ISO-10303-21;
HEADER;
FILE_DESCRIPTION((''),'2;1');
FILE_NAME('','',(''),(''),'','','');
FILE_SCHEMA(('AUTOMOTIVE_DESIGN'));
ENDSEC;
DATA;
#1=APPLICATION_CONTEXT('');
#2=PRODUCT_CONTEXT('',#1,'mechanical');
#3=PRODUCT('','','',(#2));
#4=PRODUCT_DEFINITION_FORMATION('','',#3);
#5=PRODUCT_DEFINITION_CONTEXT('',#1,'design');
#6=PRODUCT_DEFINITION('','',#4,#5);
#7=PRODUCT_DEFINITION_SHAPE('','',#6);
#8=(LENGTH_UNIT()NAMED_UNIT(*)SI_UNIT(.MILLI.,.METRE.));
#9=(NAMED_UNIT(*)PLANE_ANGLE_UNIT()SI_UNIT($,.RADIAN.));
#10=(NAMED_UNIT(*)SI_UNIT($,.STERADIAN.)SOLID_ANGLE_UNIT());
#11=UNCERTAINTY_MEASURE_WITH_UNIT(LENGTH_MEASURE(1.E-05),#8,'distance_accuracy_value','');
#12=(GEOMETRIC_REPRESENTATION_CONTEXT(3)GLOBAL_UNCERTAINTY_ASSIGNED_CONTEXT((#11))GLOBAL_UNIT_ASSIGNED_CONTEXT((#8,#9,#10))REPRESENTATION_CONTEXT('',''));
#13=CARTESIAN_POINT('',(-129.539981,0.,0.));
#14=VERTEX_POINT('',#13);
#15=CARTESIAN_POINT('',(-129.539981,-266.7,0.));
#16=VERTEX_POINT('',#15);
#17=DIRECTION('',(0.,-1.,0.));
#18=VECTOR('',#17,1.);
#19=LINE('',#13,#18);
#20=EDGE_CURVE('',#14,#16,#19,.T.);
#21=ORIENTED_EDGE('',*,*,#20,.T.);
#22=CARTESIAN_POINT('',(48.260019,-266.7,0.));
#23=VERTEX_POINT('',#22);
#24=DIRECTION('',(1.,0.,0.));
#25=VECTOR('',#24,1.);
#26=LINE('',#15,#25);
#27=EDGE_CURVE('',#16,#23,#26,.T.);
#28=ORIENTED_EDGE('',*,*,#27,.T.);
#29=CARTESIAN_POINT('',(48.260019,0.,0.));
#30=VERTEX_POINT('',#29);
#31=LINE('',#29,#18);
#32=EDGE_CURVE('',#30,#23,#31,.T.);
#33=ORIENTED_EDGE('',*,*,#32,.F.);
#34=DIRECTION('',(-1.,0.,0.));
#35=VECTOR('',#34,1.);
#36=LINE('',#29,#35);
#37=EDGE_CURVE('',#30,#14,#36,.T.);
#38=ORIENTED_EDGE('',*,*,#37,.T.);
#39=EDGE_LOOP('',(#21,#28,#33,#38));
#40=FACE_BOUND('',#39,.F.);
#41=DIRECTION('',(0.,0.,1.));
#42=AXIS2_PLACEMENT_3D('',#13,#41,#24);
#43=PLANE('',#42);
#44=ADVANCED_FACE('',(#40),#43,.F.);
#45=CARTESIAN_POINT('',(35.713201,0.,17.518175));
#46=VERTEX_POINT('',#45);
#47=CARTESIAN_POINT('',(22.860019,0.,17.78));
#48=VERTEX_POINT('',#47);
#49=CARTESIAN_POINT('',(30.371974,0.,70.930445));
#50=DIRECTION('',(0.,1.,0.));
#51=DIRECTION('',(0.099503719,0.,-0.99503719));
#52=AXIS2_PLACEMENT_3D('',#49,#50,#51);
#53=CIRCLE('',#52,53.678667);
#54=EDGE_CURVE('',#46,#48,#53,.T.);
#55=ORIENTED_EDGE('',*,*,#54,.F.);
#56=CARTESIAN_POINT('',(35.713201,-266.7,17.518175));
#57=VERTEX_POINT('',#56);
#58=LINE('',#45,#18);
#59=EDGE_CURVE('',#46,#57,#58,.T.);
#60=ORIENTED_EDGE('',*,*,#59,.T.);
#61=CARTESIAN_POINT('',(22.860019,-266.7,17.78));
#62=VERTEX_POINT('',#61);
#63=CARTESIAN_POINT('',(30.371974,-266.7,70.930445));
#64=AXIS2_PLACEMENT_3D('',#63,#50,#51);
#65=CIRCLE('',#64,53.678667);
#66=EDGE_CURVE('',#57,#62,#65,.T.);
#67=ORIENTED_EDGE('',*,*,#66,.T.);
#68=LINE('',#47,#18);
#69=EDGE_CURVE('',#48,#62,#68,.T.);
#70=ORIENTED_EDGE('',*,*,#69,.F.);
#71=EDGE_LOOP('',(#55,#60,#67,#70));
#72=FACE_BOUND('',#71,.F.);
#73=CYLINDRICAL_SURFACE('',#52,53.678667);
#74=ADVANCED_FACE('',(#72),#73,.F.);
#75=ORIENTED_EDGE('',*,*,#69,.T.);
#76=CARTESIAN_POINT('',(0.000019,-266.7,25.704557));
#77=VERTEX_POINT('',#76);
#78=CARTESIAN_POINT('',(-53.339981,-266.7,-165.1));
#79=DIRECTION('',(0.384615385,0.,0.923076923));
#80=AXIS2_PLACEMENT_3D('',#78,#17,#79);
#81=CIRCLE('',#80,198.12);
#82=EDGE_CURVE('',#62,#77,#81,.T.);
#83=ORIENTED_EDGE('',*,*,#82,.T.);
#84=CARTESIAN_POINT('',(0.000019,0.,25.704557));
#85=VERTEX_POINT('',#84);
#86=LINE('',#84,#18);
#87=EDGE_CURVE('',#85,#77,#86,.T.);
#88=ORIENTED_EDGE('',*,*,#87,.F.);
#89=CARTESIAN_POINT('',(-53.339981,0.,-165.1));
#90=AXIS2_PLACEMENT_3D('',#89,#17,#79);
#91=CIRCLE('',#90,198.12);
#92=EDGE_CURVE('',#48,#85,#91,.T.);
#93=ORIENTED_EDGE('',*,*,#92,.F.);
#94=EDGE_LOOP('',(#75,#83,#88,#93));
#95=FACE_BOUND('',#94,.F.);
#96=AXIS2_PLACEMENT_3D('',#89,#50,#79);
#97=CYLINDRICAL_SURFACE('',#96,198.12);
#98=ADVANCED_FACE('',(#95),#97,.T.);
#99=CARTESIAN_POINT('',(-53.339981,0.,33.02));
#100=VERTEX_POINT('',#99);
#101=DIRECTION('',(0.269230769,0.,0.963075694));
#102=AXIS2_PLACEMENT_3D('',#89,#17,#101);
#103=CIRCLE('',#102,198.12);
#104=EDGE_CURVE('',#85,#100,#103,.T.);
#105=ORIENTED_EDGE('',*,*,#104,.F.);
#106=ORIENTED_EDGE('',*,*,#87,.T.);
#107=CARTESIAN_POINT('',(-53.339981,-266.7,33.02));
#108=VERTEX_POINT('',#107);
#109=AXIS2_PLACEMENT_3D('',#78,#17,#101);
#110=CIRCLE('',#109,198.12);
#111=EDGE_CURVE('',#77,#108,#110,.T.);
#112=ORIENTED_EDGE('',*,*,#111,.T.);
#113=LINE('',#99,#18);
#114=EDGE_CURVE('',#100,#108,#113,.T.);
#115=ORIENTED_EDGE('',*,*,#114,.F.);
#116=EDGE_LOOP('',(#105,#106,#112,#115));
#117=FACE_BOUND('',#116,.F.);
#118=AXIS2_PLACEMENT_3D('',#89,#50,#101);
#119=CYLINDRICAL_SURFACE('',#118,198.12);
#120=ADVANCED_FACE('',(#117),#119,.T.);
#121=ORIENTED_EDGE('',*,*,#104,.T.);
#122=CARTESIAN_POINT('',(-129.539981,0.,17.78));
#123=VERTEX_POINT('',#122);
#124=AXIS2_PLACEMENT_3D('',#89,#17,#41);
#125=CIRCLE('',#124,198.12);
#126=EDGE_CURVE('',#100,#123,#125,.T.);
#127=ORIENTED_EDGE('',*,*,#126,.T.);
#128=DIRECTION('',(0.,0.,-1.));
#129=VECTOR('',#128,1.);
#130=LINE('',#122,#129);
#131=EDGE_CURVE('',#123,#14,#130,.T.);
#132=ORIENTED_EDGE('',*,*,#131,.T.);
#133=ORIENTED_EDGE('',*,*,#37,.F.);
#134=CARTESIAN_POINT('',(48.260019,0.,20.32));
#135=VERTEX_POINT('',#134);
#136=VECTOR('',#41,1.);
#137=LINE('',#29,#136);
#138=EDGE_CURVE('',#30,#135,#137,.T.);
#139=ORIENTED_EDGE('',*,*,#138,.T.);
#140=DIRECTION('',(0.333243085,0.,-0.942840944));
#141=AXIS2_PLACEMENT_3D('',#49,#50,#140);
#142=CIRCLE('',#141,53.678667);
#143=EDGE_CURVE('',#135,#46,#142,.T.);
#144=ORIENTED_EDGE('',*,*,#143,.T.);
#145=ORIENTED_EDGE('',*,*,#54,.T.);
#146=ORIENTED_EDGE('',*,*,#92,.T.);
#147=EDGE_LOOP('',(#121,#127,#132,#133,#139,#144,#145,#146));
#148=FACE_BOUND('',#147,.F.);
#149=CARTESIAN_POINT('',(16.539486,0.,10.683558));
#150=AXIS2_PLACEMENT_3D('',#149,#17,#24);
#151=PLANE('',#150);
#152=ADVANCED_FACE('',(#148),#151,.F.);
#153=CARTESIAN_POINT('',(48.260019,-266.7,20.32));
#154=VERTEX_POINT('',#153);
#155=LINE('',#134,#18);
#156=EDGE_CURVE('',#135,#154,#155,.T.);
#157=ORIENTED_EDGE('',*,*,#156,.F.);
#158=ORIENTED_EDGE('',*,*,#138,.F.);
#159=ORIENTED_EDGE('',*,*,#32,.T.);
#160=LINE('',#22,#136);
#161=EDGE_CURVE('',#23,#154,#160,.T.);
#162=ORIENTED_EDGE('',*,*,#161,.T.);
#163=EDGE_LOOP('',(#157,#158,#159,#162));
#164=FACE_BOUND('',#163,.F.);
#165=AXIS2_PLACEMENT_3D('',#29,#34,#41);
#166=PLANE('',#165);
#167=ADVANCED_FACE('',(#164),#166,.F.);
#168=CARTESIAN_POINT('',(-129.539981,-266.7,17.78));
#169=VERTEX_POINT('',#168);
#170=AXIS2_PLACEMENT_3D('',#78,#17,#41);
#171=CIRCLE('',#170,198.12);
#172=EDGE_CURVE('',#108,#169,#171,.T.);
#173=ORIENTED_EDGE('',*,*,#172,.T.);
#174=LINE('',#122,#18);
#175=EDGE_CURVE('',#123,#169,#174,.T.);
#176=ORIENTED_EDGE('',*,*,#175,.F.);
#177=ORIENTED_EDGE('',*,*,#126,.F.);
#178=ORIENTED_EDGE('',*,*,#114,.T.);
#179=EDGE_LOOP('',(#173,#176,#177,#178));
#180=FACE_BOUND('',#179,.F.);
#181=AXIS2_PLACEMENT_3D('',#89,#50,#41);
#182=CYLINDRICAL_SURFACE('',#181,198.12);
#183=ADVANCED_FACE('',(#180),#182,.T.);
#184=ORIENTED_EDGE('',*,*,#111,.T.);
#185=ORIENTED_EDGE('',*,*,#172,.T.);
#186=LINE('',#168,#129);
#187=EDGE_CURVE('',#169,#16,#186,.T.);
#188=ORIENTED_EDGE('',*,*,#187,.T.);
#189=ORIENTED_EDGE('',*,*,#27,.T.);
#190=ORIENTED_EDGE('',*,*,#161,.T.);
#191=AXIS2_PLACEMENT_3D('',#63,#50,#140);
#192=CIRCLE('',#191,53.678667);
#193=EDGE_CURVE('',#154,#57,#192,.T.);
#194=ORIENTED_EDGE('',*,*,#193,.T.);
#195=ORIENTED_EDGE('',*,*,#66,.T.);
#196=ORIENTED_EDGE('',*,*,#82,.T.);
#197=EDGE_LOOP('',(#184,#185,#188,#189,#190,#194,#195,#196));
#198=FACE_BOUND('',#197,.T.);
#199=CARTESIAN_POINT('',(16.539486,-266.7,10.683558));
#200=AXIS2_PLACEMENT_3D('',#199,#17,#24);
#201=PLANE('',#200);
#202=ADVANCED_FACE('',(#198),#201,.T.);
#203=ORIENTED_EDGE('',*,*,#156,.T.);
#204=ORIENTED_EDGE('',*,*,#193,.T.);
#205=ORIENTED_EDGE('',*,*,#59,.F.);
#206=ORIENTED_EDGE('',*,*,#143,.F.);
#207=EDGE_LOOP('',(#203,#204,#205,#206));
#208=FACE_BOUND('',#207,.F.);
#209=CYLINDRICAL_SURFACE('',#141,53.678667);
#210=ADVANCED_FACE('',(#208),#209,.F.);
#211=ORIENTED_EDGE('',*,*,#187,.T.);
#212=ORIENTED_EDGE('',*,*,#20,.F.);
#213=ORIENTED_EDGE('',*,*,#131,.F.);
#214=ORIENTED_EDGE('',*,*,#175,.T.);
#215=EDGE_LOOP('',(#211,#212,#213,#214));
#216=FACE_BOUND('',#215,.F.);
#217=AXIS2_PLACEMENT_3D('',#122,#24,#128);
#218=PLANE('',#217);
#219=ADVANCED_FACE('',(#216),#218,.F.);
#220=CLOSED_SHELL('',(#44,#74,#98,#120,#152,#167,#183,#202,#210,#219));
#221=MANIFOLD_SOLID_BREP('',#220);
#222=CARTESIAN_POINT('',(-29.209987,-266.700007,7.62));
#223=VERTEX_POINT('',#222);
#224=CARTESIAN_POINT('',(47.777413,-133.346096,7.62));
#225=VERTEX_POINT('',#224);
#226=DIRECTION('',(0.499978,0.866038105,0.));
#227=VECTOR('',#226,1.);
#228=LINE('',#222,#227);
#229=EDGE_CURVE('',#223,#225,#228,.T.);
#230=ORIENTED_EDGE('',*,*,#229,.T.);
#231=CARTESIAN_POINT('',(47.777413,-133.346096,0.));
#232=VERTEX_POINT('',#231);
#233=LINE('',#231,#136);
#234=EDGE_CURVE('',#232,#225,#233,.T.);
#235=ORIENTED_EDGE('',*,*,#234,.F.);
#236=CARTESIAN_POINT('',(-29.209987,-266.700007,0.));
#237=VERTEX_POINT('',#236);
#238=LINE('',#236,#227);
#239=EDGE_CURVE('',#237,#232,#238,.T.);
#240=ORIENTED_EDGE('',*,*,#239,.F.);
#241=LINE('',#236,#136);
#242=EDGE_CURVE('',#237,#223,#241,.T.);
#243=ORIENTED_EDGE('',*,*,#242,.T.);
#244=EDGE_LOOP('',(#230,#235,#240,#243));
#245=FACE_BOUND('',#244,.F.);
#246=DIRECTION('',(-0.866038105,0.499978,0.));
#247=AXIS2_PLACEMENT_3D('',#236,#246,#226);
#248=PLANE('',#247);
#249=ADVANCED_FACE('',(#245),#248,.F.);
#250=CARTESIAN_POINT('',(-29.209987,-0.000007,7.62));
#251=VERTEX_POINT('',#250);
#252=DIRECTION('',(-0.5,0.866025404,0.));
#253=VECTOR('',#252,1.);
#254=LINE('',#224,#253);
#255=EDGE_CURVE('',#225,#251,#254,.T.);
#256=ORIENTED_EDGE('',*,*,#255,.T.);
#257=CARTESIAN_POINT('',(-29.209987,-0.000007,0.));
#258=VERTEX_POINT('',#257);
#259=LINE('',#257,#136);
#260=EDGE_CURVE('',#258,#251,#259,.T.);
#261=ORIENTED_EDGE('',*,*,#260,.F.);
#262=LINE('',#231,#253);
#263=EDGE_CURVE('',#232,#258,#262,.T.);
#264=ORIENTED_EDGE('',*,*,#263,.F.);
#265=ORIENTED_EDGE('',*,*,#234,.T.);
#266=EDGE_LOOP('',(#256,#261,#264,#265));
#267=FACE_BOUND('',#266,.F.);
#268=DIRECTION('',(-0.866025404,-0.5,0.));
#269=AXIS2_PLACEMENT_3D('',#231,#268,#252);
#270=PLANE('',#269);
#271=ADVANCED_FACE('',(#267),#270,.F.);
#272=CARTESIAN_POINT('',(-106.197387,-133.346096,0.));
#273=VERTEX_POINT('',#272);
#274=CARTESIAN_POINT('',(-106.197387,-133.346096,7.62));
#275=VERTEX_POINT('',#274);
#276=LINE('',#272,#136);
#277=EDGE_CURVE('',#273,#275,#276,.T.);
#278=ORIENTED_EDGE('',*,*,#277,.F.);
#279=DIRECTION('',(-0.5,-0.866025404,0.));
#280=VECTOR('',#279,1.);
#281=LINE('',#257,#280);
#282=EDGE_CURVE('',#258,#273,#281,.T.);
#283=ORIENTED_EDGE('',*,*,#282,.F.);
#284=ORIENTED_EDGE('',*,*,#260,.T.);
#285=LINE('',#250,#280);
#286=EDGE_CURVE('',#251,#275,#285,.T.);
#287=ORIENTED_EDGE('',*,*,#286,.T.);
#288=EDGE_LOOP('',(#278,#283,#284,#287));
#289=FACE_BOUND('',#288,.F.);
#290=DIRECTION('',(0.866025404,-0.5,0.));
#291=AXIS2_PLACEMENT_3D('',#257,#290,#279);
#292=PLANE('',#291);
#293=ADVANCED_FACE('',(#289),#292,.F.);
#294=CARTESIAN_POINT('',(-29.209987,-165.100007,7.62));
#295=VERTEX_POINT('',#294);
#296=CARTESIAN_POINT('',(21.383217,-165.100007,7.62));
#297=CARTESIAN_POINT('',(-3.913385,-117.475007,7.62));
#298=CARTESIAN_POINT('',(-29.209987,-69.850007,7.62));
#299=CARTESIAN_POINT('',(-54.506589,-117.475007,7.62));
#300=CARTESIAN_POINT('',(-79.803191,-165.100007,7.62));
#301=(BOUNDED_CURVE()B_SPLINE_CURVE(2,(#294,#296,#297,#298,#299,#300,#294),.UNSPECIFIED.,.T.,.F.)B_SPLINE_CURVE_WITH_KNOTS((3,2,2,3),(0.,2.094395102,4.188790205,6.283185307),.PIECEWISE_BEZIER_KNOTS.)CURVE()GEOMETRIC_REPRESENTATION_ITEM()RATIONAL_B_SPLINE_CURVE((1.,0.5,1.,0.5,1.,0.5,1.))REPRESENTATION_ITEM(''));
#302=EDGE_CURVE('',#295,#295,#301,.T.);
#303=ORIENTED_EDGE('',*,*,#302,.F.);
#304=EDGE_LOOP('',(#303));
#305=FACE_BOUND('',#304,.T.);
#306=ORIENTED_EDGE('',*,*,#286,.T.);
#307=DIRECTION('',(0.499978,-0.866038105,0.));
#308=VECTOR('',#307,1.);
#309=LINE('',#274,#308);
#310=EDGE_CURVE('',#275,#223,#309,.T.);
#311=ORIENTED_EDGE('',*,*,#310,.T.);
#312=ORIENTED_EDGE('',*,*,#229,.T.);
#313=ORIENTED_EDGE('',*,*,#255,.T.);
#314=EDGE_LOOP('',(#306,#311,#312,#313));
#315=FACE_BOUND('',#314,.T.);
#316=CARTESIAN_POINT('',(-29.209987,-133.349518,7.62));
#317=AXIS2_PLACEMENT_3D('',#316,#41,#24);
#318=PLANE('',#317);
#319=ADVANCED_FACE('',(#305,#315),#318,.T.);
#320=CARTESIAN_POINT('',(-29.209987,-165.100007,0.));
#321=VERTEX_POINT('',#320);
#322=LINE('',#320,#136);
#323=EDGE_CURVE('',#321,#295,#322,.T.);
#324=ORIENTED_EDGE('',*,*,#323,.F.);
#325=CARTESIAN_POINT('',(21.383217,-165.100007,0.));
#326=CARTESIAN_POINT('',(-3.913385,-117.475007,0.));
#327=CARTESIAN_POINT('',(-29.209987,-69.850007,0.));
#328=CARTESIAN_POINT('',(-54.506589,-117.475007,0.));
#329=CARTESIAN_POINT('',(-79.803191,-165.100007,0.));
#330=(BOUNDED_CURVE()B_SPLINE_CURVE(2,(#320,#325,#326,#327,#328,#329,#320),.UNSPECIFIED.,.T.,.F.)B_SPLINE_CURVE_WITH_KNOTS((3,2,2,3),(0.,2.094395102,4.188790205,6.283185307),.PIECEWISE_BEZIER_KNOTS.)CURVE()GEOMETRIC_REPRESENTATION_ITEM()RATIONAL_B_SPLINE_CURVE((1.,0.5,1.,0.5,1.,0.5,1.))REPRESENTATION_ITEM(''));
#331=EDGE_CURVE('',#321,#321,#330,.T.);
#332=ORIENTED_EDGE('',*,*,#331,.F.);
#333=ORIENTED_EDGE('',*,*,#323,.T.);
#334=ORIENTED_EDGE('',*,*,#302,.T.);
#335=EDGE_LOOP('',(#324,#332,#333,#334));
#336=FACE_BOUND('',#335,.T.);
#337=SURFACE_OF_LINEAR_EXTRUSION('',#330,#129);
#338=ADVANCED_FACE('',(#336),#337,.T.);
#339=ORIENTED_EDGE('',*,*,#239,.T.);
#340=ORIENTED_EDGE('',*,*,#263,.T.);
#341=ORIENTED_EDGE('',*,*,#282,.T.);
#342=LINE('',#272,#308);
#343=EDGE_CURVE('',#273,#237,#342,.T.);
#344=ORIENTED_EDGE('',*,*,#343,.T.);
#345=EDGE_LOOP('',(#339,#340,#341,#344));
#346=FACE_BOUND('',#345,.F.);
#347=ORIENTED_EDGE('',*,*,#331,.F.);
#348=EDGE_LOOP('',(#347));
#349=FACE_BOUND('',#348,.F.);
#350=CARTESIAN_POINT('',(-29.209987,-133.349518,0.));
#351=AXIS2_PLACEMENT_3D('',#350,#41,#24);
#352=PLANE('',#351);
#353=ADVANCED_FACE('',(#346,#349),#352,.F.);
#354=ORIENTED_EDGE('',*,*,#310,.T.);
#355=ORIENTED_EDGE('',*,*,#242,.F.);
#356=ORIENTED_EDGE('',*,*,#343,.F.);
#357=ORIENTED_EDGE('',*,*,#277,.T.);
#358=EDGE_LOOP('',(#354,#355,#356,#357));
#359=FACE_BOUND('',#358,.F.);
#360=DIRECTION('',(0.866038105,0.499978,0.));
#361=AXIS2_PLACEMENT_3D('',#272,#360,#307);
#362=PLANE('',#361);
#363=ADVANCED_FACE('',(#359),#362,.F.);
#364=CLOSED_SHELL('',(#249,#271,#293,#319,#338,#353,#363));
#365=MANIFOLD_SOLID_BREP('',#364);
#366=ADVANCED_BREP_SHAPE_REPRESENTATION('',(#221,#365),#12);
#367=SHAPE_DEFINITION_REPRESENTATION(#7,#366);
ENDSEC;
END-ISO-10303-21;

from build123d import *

# Parameters (mm, degrees)
F1_DEPTH = 266.7
F2_DEPTH = 266.7
F4_DEPTH = 7.62


with BuildPart() as f1:
    # F0 (on Front) → F1 (new body)
    with BuildSketch(Plane.XZ):
        with BuildLine():
            ThreePointArc((35.7132010039, 17.5181751166), (29.2787431914, 17.2629117417), (22.8600185156, 17.78))
            ThreePointArc((22.8600185156, 17.78), (11.5511007159, 22.0915645826), (1.85156e-05, 25.7045565494))
            Line((1.85156e-05, 25.7045565494), (1.85156e-05, 0))
            Line((1.85156e-05, 0), (35.7132010039, 0))
            Line((35.7132010039, 0), (35.7132010039, 17.5181751166))
        make_face()
        with BuildLine():
            Line((1.85156e-05, 0), (1.85156e-05, 25.7045565494))
            ThreePointArc((1.85156e-05, 25.7045565494), (-26.4203264305, 31.1826191281), (-53.3399814844, 33.02))
            Line((-53.3399814844, 33.02), (-53.3399814844, 0))
            Line((-53.3399814844, 0), (1.85156e-05, 0))
        make_face()
        with BuildLine():
            Line((-53.3399814844, 0), (-53.3399814844, 33.02))
            ThreePointArc((-53.3399814844, 33.02), (-92.194510178, 29.1726434679), (-129.5399814844, 17.78))
            Line((-129.5399814844, 17.78), (-129.5399814844, 0))
            Line((-129.5399814844, 0), (-53.3399814844, 0))
        make_face()
        with BuildLine():
            ThreePointArc((48.2600185156, 20.32), (42.0707910132, 18.5421165239), (35.7132010039, 17.5181751166))
            Line((35.7132010039, 17.5181751166), (35.7132010039, 0))
            Line((35.7132010039, 0), (48.2600185156, 0))
            Line((48.2600185156, 0), (48.2600185156, 20.32))
        make_face()
    extrude(amount=F1_DEPTH)

    # F0 (on Front) → F2 (join)
    with BuildSketch(Plane.XZ):
        with BuildLine():
            ThreePointArc((35.7132010039, 17.5181751166), (29.2787431914, 17.2629117417), (22.8600185156, 17.78))
            ThreePointArc((22.8600185156, 17.78), (11.5511007159, 22.0915645826), (1.85156e-05, 25.7045565494))
            Line((1.85156e-05, 25.7045565494), (1.85156e-05, 0))
            Line((1.85156e-05, 0), (35.7132010039, 0))
            Line((35.7132010039, 0), (35.7132010039, 17.5181751166))
        make_face()
        with BuildLine():
            Line((1.85156e-05, 0), (1.85156e-05, 25.7045565494))
            ThreePointArc((1.85156e-05, 25.7045565494), (-26.4203264305, 31.1826191281), (-53.3399814844, 33.02))
            Line((-53.3399814844, 33.02), (-53.3399814844, 0))
            Line((-53.3399814844, 0), (1.85156e-05, 0))
        make_face()
        with BuildLine():
            Line((-53.3399814844, 0), (-53.3399814844, 33.02))
            ThreePointArc((-53.3399814844, 33.02), (-92.194510178, 29.1726434679), (-129.5399814844, 17.78))
            Line((-129.5399814844, 17.78), (-129.5399814844, 0))
            Line((-129.5399814844, 0), (-53.3399814844, 0))
        make_face()
    extrude(amount=F2_DEPTH)


with BuildPart() as f4:
    # F3 (on Top) → F4 (new body)
    with BuildSketch(Plane.XY):
        Polygon((47.7774130199, -133.3460956812), (-29.2099869801, -7.3386e-06), (-106.1973869801, -133.3460956812), (-29.2099869801, -266.7000073386), align=None)
        with BuildLine():
            add(Edge.make_bspline(
                [(-29.2099869801, -165.1000073386), (21.383217109, -165.1000073386), (-3.9133849355, -117.4750073386), (-29.2099869801, -69.8500073386), (-54.5065890246, -117.4750073386), (-79.8031910691, -165.1000073386), (-29.2099869801, -165.1000073386)],
                knots=[0, 0, 0, 2.0943951024, 2.0943951024, 4.1887902048, 4.1887902048, 6.2831853072, 6.2831853072, 6.2831853072], degree=2, weights=[1, 0.5, 1, 0.5, 1, 0.5, 1]))
        make_face(mode=Mode.SUBTRACT)
    extrude(amount=F4_DEPTH)


solid = Compound([f1.part, f4.part])
